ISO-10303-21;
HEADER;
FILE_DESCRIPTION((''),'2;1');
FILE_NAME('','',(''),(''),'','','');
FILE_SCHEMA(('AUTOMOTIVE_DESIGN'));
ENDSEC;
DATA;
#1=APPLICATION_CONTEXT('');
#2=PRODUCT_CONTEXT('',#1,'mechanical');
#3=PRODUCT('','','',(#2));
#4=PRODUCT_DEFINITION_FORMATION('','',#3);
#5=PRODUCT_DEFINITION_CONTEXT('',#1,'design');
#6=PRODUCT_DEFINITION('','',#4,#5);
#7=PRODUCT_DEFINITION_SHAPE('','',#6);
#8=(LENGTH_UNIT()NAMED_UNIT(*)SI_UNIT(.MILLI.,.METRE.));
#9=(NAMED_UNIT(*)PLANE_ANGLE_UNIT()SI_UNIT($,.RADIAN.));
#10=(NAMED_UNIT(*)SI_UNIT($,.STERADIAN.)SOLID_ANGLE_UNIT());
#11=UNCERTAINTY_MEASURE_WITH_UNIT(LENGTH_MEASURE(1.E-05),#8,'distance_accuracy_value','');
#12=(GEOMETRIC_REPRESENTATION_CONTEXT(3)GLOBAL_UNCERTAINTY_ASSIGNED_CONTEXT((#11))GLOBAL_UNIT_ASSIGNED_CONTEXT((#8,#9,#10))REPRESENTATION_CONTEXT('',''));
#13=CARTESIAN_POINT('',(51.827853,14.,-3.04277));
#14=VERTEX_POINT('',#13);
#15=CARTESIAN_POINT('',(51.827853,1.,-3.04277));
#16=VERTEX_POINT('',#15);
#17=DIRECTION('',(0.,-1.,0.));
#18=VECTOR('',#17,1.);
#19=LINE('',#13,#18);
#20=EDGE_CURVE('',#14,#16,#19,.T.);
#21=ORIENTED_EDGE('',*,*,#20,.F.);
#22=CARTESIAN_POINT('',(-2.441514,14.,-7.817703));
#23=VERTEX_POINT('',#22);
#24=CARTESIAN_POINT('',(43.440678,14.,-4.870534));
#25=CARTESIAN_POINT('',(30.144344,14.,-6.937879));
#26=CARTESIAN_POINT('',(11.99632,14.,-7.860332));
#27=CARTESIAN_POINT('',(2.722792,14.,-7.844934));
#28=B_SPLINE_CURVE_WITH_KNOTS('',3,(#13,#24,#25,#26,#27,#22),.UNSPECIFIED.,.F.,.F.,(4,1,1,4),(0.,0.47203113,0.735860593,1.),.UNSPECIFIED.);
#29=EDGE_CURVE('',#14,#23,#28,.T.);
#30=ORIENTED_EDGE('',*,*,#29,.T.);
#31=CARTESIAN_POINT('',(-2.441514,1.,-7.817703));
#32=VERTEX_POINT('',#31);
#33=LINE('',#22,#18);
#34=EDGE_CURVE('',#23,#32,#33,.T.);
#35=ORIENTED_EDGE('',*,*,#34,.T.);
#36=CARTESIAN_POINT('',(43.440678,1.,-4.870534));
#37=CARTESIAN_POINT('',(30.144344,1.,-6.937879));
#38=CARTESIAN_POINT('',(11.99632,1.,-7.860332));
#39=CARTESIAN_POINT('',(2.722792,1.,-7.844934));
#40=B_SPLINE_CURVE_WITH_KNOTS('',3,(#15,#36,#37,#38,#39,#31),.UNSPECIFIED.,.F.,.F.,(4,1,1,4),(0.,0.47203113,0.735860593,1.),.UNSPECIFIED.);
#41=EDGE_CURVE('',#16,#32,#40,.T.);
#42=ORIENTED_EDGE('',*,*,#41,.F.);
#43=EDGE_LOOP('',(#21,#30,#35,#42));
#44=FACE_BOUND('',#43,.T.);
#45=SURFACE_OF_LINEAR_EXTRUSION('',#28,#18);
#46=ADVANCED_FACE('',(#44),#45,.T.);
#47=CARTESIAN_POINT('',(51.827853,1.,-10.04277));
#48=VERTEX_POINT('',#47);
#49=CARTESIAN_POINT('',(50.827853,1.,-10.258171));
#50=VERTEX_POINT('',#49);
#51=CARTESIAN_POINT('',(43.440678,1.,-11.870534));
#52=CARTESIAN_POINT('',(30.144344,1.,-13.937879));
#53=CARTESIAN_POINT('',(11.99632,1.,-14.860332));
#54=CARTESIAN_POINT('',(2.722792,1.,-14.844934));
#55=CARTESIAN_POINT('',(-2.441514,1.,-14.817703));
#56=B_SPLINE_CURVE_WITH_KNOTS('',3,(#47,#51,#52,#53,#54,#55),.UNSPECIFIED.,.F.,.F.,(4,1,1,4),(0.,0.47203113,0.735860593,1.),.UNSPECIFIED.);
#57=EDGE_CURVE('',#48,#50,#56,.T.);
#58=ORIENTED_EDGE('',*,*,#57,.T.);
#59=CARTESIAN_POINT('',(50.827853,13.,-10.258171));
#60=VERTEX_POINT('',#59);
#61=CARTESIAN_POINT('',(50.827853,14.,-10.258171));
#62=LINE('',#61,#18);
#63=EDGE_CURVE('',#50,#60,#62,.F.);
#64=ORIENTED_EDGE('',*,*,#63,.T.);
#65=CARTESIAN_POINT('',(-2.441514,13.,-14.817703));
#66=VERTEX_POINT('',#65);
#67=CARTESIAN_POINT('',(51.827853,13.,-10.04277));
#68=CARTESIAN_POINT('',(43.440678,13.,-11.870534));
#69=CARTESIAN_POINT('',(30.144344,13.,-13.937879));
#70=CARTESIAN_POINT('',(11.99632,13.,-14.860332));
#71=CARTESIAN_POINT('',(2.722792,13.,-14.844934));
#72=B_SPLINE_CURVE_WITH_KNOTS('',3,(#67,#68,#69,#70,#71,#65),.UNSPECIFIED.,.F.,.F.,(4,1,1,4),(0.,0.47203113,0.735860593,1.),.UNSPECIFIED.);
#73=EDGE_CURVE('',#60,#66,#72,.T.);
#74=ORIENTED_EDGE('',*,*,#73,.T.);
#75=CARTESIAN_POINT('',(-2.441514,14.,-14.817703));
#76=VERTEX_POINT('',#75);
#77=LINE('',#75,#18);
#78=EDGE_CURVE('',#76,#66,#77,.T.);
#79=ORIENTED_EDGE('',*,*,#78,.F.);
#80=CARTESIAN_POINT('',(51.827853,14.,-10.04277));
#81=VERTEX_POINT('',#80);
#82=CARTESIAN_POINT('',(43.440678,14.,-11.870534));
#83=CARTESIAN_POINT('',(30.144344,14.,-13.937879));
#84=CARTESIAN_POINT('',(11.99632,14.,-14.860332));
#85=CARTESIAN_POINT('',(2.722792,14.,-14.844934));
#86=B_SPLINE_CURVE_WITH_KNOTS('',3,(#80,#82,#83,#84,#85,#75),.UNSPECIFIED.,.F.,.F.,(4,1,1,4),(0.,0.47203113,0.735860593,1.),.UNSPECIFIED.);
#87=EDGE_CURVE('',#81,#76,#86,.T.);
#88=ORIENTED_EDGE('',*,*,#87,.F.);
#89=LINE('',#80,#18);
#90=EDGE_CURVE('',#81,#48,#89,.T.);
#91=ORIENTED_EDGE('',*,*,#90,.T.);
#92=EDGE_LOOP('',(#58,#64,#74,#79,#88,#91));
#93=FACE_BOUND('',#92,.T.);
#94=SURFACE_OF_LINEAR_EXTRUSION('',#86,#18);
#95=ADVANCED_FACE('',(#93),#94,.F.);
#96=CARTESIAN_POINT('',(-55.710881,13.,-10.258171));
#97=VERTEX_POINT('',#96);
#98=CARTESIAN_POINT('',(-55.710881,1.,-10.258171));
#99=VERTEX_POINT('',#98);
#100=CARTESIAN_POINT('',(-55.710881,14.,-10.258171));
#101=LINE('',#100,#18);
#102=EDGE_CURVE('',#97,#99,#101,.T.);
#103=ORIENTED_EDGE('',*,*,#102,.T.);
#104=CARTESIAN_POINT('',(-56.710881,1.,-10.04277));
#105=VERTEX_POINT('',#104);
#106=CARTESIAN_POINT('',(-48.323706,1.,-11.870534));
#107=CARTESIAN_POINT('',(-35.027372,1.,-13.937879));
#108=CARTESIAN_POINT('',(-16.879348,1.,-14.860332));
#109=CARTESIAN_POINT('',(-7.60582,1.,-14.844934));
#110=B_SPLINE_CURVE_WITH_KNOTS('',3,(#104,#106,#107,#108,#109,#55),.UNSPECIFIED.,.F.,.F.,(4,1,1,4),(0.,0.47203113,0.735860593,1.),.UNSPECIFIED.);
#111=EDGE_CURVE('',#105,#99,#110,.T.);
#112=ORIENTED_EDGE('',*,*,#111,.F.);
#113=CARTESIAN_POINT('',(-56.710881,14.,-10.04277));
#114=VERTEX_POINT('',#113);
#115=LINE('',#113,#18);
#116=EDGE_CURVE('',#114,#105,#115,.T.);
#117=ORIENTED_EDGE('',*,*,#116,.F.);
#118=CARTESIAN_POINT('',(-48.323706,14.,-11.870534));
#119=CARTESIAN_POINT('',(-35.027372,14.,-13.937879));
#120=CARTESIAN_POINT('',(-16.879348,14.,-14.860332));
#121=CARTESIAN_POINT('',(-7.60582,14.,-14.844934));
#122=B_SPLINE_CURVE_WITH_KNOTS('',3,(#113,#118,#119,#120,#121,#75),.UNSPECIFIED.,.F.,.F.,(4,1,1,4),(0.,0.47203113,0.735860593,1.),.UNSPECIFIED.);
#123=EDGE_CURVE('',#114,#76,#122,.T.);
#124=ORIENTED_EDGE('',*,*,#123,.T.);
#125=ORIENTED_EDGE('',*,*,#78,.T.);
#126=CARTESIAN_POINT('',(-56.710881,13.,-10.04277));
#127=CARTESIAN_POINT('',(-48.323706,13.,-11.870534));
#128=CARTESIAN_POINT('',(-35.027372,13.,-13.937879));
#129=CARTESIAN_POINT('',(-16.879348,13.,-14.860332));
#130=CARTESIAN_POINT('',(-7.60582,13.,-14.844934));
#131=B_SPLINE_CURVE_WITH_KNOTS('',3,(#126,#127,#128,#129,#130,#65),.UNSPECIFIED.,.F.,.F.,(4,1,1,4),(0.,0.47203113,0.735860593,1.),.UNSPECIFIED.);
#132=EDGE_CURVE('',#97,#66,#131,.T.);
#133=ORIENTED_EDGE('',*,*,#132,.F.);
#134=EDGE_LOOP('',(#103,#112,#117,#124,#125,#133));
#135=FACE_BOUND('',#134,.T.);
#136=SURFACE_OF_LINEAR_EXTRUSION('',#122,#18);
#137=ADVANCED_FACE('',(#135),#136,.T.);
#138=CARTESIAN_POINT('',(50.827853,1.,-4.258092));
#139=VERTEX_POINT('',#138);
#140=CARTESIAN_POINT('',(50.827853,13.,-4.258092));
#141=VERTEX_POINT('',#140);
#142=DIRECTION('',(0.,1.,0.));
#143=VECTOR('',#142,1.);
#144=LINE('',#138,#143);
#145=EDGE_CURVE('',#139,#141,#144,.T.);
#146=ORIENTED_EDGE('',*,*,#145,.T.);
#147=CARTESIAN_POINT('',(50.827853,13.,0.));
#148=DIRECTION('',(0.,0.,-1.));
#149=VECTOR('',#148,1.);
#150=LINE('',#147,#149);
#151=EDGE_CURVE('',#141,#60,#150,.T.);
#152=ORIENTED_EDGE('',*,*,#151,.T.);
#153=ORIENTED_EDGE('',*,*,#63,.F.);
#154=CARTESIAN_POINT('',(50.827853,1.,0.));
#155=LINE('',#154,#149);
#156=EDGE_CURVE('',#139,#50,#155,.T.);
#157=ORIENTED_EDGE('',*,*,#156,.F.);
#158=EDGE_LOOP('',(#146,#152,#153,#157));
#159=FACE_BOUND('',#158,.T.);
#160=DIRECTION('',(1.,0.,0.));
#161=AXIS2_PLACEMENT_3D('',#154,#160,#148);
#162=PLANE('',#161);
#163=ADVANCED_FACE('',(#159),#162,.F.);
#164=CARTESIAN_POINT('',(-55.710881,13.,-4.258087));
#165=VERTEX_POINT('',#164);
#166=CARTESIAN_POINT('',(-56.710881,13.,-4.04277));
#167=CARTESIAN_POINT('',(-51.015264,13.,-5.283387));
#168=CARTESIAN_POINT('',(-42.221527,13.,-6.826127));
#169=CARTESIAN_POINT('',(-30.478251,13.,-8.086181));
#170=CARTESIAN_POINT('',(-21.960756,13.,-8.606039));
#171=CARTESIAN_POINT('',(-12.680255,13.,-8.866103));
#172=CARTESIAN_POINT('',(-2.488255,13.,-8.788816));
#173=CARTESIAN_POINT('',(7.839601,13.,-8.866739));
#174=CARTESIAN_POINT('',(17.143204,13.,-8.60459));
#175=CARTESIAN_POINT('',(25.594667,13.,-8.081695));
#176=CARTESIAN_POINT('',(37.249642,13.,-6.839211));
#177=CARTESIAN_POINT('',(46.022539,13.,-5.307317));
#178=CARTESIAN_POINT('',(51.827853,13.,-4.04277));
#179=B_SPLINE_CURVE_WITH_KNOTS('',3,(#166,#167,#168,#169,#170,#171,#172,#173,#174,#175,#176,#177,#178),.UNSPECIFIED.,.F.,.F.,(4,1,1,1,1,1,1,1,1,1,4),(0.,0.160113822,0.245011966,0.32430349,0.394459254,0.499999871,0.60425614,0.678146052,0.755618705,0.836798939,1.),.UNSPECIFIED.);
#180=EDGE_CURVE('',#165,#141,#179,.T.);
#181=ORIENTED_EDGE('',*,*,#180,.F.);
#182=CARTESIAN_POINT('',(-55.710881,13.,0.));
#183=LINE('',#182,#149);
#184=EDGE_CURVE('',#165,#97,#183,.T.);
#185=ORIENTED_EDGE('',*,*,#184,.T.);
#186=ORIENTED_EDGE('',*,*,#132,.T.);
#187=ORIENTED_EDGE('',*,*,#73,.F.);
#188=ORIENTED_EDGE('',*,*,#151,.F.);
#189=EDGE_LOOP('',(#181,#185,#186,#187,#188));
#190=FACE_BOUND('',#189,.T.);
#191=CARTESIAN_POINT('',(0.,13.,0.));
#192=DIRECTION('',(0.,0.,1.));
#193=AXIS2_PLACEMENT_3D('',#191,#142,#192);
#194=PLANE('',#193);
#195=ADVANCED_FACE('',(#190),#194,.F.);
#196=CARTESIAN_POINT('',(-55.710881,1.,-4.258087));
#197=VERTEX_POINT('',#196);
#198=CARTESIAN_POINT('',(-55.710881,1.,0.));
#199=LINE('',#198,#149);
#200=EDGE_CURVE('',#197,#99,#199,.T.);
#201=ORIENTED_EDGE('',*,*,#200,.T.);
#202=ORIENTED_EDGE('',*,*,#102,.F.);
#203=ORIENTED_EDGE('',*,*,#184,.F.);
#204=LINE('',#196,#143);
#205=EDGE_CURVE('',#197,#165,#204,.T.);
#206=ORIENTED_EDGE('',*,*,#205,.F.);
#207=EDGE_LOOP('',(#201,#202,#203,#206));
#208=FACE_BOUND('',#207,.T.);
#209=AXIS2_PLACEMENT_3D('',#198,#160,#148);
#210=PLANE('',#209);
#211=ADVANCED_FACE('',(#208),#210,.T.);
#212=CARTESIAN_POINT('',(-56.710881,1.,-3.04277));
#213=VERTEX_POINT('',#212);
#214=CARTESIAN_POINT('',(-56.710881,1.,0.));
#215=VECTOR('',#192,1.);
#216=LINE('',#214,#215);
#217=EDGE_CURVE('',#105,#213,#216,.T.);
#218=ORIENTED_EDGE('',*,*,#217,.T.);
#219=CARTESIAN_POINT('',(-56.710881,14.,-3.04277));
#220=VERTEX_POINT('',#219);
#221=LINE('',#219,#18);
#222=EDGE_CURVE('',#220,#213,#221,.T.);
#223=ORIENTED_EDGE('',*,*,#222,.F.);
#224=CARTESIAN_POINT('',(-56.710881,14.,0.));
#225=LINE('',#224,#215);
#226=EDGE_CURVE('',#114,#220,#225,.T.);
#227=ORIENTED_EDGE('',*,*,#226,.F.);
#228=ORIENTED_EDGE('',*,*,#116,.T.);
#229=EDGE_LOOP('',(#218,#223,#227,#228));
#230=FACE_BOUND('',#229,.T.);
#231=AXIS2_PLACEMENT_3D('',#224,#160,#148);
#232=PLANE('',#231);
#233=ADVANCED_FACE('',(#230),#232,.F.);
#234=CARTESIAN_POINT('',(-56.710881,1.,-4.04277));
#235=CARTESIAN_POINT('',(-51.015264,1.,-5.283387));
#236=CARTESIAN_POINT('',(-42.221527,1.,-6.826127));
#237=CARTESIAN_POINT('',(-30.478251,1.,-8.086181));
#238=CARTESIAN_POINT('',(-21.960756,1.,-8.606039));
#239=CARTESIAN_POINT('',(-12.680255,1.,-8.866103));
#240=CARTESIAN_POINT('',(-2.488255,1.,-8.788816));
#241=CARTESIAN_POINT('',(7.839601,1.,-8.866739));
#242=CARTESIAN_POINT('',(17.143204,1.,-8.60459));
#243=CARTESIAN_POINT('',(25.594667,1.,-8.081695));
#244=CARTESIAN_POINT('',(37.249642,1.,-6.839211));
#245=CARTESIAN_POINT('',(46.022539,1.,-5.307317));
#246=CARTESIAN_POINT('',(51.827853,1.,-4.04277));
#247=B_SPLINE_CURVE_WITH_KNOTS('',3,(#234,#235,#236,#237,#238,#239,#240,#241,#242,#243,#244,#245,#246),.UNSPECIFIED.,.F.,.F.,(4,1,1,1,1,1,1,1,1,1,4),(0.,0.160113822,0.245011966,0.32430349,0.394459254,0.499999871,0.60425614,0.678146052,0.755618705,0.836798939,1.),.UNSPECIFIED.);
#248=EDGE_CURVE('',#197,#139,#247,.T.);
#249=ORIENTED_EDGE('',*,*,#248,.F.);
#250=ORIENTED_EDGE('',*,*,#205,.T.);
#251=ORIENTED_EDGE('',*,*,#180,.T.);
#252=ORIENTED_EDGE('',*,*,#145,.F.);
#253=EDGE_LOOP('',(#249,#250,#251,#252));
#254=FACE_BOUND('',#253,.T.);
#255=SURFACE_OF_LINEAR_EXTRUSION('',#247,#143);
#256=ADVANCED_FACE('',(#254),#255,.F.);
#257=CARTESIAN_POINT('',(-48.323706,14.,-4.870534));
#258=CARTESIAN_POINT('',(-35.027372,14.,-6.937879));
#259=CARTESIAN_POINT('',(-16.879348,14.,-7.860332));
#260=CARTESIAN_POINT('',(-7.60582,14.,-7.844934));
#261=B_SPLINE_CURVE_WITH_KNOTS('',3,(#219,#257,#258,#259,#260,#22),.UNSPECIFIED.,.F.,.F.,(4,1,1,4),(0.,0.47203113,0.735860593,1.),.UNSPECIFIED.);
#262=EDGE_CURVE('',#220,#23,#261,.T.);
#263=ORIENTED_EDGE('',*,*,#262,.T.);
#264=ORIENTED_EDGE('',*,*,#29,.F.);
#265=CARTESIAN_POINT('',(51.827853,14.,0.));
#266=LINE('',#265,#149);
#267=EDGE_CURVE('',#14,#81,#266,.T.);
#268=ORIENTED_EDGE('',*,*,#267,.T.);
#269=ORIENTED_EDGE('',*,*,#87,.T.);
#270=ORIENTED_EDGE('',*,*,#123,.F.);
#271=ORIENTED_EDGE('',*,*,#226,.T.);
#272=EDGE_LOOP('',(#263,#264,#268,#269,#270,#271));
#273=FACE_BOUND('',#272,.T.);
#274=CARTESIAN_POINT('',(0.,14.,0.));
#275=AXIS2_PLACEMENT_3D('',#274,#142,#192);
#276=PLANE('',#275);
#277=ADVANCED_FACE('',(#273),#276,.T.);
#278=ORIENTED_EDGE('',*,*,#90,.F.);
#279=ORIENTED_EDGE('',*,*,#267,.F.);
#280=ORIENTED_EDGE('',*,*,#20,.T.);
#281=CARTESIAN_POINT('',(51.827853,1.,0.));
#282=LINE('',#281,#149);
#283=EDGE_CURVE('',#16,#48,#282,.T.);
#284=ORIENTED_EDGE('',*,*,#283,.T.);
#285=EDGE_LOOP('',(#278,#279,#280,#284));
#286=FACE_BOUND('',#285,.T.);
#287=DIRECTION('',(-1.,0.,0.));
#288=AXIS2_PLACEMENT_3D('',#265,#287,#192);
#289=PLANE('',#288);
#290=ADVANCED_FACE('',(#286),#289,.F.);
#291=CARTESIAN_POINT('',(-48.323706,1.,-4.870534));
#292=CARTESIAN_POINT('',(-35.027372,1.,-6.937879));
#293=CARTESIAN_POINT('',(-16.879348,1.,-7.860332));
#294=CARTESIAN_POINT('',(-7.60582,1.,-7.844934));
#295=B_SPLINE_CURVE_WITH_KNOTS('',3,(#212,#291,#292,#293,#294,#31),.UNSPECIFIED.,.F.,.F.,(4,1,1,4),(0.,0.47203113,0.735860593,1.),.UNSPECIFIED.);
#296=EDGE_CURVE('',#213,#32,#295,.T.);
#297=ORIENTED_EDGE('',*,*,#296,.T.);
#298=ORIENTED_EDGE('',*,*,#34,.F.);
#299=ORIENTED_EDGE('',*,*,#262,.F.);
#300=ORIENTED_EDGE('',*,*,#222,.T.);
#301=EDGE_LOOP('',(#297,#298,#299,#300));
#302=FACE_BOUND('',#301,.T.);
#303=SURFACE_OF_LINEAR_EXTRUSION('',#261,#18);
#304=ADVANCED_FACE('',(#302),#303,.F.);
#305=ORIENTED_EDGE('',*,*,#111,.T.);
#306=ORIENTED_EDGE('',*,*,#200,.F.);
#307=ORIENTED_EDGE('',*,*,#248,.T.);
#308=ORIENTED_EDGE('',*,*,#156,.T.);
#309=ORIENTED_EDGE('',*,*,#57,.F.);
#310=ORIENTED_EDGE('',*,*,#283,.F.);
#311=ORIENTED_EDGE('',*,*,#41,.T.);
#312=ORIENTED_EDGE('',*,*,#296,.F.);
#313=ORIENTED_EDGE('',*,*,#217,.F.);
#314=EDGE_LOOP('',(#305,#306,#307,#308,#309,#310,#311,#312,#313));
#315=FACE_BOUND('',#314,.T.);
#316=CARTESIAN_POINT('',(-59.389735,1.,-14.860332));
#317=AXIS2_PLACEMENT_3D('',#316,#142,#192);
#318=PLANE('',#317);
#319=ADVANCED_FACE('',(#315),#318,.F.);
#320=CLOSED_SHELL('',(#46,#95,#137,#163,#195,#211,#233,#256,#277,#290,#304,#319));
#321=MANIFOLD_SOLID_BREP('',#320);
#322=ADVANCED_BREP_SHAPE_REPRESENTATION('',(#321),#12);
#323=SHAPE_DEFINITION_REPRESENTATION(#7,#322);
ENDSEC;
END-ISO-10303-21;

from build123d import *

# Parameters (mm, degrees)
BOSS_EXTRUDE1_DEPTH     = 14
CUT_EXTRUDE1_START      = -1
CUT_EXTRUDE1_DEPTH      = 12
SKETCH5_R               = 2
CUT_EXTRUDE2_DEPTH      = 10
SKETCH6_W               = 117.319125092
SKETCH6_H               = 10.762389646
CUT_EXTRUDE3_DEPTH      = 61.267639965
CUT_EXTRUDE3_DEPTH_BACK = 61.267639965


with BuildPart() as part:
    # Sketch1 → Boss-Extrude1 (new body)
    with BuildSketch(Plane(origin=(0, 0, 0), x_dir=(1, 0, 0), z_dir=(0, 1, 0))):
        with BuildLine():
            Line((-56.7108806, 8.042770274), (-56.7108806, 6.805307476))
            Line((-56.7108806, 6.805307476), (-32.823491302, 6.805307476))
            add(Edge.make_bspline(
                [(-32.823491302, 6.805307476), (-32.296255898, 6.856181615), (-26.989208291, 7.346453988), (-16.87934757, 7.860332352), (-7.605819721, 7.844934175), (-2.44151388, 7.817702683)],
                knots=[0.442922252, 0.442922252, 0.442922252, 0.442922252, 0.47203113, 0.735860593, 1, 1, 1, 1], degree=3))
            add(Edge.make_bspline(
                [(27.940463543, 6.805307476), (27.413228139, 6.856181615), (22.106180532, 7.346453988), (11.99631981, 7.860332352), (2.722791962, 7.844934175), (-2.44151388, 7.817702683)],
                knots=[0.442922252, 0.442922252, 0.442922252, 0.442922252, 0.47203113, 0.735860593, 1, 1, 1, 1], degree=3))
            Line((27.940463543, 6.805307476), (51.827852841, 6.805307476))
            Line((51.827852841, 6.805307476), (51.827852841, 8.042770274))
            add(Edge.make_bspline(
                [(51.827852841, 8.042770274), (43.440678216, 9.870534091), (30.144344491, 11.93787877), (11.99631981, 12.860332352), (2.722791962, 12.844934175), (-2.44151388, 12.817702683)],
                knots=[0, 0, 0, 0, 0.47203113, 0.735860593, 1, 1, 1, 1], degree=3))
            add(Edge.make_bspline(
                [(-56.7108806, 8.042770274), (-48.323705975, 9.870534091), (-35.02737225, 11.93787877), (-16.87934757, 12.860332352), (-7.605819721, 12.844934175), (-2.44151388, 12.817702683)],
                knots=[0, 0, 0, 0, 0.47203113, 0.735860593, 1, 1, 1, 1], degree=3))
        make_face()
        with BuildLine():
            Line((-32.823491302, 6.805307476), (-56.7108806, 6.805307476))
            Line((-56.7108806, 6.805307476), (-56.7108806, 3.042770274))
            add(Edge.make_bspline(
                [(-56.7108806, 3.042770274), (-48.840920262, 4.757820859), (-40.845933501, 6.031203848), (-32.823491302, 6.805307476)],
                knots=[0, 0, 0, 0, 0.442922252, 0.442922252, 0.442922252, 0.442922252], degree=3))
        make_face()
        with BuildLine():
            Line((-56.7108806, 10.042770274), (-56.7108806, 8.042770274))
            add(Edge.make_bspline(
                [(-56.7108806, 8.042770274), (-48.323705975, 9.870534091), (-35.02737225, 11.93787877), (-16.87934757, 12.860332352), (-7.605819721, 12.844934175), (-2.44151388, 12.817702683)],
                knots=[0, 0, 0, 0, 0.47203113, 0.735860593, 1, 1, 1, 1], degree=3))
            add(Edge.make_bspline(
                [(51.827852841, 8.042770274), (43.440678216, 9.870534091), (30.144344491, 11.93787877), (11.99631981, 12.860332352), (2.722791962, 12.844934175), (-2.44151388, 12.817702683)],
                knots=[0, 0, 0, 0, 0.47203113, 0.735860593, 1, 1, 1, 1], degree=3))
            Line((51.827852841, 8.042770274), (51.827852841, 10.042770274))
            add(Edge.make_bspline(
                [(51.827852841, 10.042770274), (43.440678216, 11.870534091), (30.144344491, 13.93787877), (11.99631981, 14.860332352), (2.722791962, 14.844934175), (-2.44151388, 14.817702683)],
                knots=[0, 0, 0, 0, 0.47203113, 0.735860593, 1, 1, 1, 1], degree=3))
            add(Edge.make_bspline(
                [(-56.7108806, 10.042770274), (-48.323705975, 11.870534091), (-35.02737225, 13.93787877), (-16.87934757, 14.860332352), (-7.605819721, 14.844934175), (-2.44151388, 14.817702683)],
                knots=[0, 0, 0, 0, 0.47203113, 0.735860593, 1, 1, 1, 1], degree=3))
        make_face()
        with BuildLine():
            Line((51.827852841, 6.805307476), (27.940463543, 6.805307476))
            add(Edge.make_bspline(
                [(51.827852841, 3.042770274), (43.957892503, 4.757820859), (35.962905742, 6.031203848), (27.940463543, 6.805307476)],
                knots=[0, 0, 0, 0, 0.442922252, 0.442922252, 0.442922252, 0.442922252], degree=3))
            Line((51.827852841, 3.042770274), (51.827852841, 6.805307476))
        make_face()
    extrude(amount=BOSS_EXTRUDE1_DEPTH)

    # Sketch2 → Cut-Extrude1 (cut)
    with BuildSketch(Plane(origin=(0, 14, 0), x_dir=(1, 0, 0), z_dir=(0, 1, 0)).offset(CUT_EXTRUDE1_START)):
        with BuildLine():
            Line((-55.7108806, 10.258170898), (-55.7108806, 4.258086623))
            add(Edge.make_bspline(
                [(-55.7108806, 4.258086623), (-50.342859001, 5.400468361), (-41.88238795, 6.862517021), (-30.478251076, 8.08618105), (-21.960755969, 8.606039162), (-12.680255084, 8.866102662), (-2.488255396, 8.788816201), (7.839601208, 8.866738732), (17.143204354, 8.604590131), (25.594666904, 8.081695492), (36.910484771, 6.875367198), (45.349986498, 5.423872017), (50.827852841, 4.258091684)],
                knots=[0.009365711, 0.009365711, 0.009365711, 0.009365711, 0.160113822, 0.245011966, 0.32430349, 0.394459254, 0.499999871, 0.60425614, 0.678146052, 0.755618705, 0.836798939, 0.990634118, 0.990634118, 0.990634118, 0.990634118], degree=3))
            Line((50.827852841, 4.258091684), (50.827852841, 10.258170898))
            add(Edge.make_bspline(
                [(50.827852841, 10.258170898), (42.763137338, 11.97497257), (29.804113131, 13.955172533), (11.99631981, 14.860332352), (2.722791962, 14.844934175), (-2.44151388, 14.817702683)],
                knots=[0.01874757, 0.01874757, 0.01874757, 0.01874757, 0.47203113, 0.735860593, 1, 1, 1, 1], degree=3))
            add(Edge.make_bspline(
                [(-2.44151388, 14.817702683), (-7.605819721, 14.844934175), (-16.87934757, 14.860332352), (-34.68714089, 13.955172533), (-47.646165097, 11.97497257), (-55.7108806, 10.258170898)],
                knots=[0, 0, 0, 0, 0.264139407, 0.52796887, 0.98125243, 0.98125243, 0.98125243, 0.98125243], degree=3))
        make_face()
        with BuildLine():
            Line((-2.44151388, 17.910861514), (-2.44151388, 14.817702683))
            add(Edge.make_bspline(
                [(50.827852841, 10.258170898), (42.763137338, 11.97497257), (29.804113131, 13.955172533), (11.99631981, 14.860332352), (2.722791962, 14.844934175), (-2.44151388, 14.817702683)],
                knots=[0.01874757, 0.01874757, 0.01874757, 0.01874757, 0.47203113, 0.735860593, 1, 1, 1, 1], degree=3))
            Line((50.827852841, 10.258170898), (50.827852841, 19.353755181))
            Line((50.827852841, 19.353755181), (-2.44151388, 17.910861514))
        make_face()
        with BuildLine():
            Line((-55.7108806, 16.467967847), (-55.7108806, 10.258170898))
            add(Edge.make_bspline(
                [(-2.44151388, 14.817702683), (-7.605819721, 14.844934175), (-16.87934757, 14.860332352), (-34.68714089, 13.955172533), (-47.646165097, 11.97497257), (-55.7108806, 10.258170898)],
                knots=[0, 0, 0, 0, 0.264139407, 0.52796887, 0.98125243, 0.98125243, 0.98125243, 0.98125243], degree=3))
            Line((-2.44151388, 14.817702683), (-2.44151388, 17.910861514))
            Line((-2.44151388, 17.910861514), (-55.7108806, 16.467967847))
        make_face()
    extrude(amount=-CUT_EXTRUDE1_DEPTH, mode=Mode.SUBTRACT)

    # Sketch5 → Cut-Extrude2 (cut)
    with BuildSketch(Plane(origin=(0, 1, 0), x_dir=(1, 0, 0), z_dir=(0, 1, 0))):
        with Locations((-2.44151388, 14.817702683)):
            Circle(SKETCH5_R)
    extrude(amount=-CUT_EXTRUDE2_DEPTH, mode=Mode.SUBTRACT)

    # Sketch6 → Cut-Extrude3 (cut, two sides)
    with BuildSketch(Plane.XY) as cut_extrude3_sk:
        with Locations((-0.730172647, -4.381194823)):
            Rectangle(SKETCH6_W, SKETCH6_H)
    extrude(amount=CUT_EXTRUDE3_DEPTH, mode=Mode.SUBTRACT)
    extrude(cut_extrude3_sk.sketch, amount=-CUT_EXTRUDE3_DEPTH_BACK, mode=Mode.SUBTRACT)


solid = part.part
